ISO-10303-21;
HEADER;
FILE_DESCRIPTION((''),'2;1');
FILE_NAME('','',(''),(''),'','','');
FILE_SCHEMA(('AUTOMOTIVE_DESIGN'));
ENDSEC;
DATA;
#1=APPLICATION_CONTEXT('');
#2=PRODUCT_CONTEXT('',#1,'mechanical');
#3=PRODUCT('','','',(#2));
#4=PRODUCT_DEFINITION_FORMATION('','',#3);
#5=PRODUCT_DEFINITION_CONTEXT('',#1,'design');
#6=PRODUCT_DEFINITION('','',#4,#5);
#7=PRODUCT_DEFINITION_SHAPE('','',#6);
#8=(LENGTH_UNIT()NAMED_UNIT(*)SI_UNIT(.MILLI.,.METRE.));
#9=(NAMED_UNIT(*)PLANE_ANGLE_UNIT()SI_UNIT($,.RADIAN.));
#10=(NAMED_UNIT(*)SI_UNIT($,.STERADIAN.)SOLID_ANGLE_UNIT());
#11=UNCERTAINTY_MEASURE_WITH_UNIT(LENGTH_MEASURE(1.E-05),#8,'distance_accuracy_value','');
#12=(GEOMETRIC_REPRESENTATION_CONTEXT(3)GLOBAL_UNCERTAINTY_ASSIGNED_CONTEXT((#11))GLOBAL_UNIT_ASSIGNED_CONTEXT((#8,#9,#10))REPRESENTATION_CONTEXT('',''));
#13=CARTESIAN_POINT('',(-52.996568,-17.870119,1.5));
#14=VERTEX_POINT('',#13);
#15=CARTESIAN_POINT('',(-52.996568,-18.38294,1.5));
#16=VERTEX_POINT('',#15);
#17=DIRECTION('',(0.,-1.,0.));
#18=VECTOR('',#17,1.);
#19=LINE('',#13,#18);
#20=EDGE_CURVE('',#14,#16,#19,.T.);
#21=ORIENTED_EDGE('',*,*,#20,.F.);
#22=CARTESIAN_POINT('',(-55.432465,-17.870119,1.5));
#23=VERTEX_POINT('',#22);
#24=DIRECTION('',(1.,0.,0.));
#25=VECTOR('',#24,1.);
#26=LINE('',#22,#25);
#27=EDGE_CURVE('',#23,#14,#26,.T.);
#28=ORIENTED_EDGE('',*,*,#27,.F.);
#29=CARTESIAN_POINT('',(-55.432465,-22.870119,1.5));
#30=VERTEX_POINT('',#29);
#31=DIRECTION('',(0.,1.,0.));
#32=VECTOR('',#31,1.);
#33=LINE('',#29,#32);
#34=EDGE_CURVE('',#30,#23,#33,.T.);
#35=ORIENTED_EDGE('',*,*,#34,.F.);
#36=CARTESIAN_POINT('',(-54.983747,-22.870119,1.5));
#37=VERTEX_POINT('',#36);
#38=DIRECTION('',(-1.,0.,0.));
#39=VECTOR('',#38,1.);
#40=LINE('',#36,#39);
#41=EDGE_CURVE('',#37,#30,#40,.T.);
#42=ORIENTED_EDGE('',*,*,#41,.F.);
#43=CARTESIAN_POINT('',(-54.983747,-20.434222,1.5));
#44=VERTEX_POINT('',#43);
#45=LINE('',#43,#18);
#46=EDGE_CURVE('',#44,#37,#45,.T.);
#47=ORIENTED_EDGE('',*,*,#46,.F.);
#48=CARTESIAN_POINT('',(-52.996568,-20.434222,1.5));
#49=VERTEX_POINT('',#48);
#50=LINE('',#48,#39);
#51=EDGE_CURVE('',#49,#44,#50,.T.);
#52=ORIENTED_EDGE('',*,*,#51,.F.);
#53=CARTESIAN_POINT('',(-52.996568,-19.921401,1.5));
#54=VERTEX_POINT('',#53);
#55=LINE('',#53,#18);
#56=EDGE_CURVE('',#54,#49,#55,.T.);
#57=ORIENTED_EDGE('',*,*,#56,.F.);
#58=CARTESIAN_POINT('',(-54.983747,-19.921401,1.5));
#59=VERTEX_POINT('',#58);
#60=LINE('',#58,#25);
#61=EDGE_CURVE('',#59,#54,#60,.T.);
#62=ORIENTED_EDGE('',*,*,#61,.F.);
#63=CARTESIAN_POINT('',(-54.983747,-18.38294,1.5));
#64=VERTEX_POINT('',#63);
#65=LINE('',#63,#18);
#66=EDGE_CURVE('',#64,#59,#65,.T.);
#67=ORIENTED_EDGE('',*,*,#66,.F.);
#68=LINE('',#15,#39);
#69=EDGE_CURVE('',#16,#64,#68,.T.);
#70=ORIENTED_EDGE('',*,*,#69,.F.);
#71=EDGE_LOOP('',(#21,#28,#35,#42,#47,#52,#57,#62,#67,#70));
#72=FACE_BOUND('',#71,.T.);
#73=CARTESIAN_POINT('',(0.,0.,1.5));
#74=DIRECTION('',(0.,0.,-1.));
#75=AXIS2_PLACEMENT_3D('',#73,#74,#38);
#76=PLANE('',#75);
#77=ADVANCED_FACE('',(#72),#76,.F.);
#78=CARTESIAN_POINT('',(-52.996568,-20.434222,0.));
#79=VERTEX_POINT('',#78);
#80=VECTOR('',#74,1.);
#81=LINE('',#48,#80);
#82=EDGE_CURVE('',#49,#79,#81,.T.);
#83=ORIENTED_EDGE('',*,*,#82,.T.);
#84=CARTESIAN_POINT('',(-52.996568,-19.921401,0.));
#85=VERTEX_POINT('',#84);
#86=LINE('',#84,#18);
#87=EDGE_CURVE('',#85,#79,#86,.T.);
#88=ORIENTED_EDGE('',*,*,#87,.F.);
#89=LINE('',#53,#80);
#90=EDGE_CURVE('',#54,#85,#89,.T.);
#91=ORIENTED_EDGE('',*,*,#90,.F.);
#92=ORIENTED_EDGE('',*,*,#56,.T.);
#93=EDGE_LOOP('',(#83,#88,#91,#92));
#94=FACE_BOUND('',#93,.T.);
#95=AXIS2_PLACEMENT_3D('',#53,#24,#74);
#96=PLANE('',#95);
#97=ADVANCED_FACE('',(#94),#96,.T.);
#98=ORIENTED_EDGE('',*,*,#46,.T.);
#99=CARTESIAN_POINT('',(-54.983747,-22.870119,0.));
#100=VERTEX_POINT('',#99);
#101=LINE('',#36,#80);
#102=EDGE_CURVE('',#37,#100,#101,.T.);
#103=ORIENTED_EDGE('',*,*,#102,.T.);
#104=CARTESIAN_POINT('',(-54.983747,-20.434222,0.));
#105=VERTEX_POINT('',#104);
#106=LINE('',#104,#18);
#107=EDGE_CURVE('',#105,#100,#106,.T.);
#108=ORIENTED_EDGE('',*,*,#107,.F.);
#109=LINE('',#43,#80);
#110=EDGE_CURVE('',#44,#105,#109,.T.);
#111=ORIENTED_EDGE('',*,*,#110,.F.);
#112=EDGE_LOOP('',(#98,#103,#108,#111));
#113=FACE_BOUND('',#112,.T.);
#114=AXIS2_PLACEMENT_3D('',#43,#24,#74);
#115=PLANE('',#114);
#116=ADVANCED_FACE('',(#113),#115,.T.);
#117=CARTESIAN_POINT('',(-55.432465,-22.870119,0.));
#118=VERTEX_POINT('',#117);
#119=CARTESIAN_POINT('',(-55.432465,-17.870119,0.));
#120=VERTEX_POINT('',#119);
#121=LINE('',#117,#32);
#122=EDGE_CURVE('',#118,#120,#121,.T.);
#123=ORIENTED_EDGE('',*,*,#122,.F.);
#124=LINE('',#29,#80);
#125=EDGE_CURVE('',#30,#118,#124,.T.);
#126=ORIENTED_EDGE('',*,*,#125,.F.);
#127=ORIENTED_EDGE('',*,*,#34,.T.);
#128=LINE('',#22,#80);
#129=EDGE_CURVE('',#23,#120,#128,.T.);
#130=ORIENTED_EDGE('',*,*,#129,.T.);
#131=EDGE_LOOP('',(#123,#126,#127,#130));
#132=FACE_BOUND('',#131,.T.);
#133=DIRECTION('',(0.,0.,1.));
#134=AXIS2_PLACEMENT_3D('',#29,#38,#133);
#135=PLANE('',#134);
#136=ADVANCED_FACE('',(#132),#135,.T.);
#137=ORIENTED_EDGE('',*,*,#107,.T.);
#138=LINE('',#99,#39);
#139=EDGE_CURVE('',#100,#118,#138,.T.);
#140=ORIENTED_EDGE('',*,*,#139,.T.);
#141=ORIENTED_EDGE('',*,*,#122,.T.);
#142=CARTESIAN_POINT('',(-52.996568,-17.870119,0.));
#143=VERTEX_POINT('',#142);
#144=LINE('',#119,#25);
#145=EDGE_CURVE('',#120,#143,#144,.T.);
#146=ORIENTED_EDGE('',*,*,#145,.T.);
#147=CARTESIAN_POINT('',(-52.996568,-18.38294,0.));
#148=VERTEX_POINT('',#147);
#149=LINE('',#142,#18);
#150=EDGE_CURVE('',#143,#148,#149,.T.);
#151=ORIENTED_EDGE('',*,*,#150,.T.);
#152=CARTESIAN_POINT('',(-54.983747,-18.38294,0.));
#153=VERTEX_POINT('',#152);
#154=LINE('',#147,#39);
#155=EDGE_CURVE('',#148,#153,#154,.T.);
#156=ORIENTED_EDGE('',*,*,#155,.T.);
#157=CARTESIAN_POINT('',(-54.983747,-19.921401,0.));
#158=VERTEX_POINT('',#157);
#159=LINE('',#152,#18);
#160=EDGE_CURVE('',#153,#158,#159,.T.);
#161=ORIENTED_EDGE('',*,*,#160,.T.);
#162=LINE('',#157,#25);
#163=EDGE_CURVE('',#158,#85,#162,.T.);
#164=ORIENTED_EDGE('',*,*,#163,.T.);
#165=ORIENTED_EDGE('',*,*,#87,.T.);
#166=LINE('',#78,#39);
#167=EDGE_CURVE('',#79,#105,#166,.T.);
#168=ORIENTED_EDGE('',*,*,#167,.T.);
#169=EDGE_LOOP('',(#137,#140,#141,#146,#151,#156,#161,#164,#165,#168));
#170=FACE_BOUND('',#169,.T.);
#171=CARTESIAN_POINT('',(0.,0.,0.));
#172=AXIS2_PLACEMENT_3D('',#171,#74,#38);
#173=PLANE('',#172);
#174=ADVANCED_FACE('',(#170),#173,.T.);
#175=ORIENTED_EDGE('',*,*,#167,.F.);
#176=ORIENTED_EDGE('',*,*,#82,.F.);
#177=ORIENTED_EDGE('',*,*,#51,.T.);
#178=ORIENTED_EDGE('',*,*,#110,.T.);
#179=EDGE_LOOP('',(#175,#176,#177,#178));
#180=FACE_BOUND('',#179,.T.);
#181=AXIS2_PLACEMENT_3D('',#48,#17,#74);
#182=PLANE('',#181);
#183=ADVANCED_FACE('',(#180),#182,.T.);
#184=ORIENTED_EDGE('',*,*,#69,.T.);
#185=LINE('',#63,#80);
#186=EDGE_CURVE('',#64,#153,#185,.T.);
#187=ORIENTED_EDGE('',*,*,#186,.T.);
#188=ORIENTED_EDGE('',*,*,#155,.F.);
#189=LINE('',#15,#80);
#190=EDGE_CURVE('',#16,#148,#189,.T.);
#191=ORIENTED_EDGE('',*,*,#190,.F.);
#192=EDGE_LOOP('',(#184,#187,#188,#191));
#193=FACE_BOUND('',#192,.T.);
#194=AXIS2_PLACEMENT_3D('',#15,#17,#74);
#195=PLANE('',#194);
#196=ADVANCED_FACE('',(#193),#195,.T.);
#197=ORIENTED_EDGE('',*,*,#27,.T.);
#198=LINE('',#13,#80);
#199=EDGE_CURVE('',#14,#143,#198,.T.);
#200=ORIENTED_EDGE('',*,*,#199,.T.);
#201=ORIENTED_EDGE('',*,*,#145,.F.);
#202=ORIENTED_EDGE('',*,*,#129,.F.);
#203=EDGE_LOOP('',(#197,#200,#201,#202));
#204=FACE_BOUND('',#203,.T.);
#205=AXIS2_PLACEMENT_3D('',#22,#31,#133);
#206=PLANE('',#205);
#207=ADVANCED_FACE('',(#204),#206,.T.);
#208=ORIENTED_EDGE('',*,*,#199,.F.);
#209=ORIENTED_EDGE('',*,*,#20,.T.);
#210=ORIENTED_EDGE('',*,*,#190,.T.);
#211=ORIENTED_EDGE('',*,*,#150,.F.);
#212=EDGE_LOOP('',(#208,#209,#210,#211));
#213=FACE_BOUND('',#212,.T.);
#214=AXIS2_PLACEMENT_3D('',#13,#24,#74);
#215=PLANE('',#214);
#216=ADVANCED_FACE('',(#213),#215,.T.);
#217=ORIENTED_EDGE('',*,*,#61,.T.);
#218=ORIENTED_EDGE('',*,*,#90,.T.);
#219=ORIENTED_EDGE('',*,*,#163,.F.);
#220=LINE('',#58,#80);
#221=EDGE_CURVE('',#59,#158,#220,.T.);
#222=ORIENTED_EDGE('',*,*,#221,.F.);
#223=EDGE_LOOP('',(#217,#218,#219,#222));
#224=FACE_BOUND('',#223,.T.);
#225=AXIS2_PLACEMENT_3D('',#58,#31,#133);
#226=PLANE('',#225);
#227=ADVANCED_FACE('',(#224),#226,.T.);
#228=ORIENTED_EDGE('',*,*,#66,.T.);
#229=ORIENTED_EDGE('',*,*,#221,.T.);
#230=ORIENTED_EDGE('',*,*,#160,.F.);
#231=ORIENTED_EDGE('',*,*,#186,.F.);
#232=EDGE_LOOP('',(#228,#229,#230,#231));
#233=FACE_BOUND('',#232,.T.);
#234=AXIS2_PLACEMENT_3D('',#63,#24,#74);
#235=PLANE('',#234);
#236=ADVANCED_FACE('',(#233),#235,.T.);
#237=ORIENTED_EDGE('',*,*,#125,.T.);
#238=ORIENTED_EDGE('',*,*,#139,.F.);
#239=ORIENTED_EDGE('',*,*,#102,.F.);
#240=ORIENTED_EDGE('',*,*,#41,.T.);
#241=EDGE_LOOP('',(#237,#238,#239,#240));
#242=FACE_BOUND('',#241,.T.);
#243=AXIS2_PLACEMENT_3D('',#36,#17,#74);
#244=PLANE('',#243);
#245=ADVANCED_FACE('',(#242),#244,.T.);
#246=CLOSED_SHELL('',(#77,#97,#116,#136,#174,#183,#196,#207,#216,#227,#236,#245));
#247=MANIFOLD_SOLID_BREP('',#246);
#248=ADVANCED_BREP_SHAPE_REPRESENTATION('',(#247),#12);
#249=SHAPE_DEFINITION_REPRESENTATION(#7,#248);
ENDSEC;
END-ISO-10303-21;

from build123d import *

# Parameters (mm, degrees)
BOSS_EXTRU_1_DEPTH = 1.5


with BuildPart() as part:
    # Esquisse1 → Boss.-Extru.1 (new body)
    with BuildSketch(Plane.XY):
        Polygon((-55.432465326, -17.870119076), (-52.99656789, -17.870119076), (-52.99656789, -18.382939589), (-54.983747377, -18.382939589), (-54.983747377, -19.921401128), (-52.99656789, -19.921401128), (-52.99656789, -20.43422164), (-54.983747377, -20.43422164), (-54.983747377, -22.870119076), (-55.432465326, -22.870119076), align=None)
    extrude(amount=BOSS_EXTRU_1_DEPTH)


solid = part.part
